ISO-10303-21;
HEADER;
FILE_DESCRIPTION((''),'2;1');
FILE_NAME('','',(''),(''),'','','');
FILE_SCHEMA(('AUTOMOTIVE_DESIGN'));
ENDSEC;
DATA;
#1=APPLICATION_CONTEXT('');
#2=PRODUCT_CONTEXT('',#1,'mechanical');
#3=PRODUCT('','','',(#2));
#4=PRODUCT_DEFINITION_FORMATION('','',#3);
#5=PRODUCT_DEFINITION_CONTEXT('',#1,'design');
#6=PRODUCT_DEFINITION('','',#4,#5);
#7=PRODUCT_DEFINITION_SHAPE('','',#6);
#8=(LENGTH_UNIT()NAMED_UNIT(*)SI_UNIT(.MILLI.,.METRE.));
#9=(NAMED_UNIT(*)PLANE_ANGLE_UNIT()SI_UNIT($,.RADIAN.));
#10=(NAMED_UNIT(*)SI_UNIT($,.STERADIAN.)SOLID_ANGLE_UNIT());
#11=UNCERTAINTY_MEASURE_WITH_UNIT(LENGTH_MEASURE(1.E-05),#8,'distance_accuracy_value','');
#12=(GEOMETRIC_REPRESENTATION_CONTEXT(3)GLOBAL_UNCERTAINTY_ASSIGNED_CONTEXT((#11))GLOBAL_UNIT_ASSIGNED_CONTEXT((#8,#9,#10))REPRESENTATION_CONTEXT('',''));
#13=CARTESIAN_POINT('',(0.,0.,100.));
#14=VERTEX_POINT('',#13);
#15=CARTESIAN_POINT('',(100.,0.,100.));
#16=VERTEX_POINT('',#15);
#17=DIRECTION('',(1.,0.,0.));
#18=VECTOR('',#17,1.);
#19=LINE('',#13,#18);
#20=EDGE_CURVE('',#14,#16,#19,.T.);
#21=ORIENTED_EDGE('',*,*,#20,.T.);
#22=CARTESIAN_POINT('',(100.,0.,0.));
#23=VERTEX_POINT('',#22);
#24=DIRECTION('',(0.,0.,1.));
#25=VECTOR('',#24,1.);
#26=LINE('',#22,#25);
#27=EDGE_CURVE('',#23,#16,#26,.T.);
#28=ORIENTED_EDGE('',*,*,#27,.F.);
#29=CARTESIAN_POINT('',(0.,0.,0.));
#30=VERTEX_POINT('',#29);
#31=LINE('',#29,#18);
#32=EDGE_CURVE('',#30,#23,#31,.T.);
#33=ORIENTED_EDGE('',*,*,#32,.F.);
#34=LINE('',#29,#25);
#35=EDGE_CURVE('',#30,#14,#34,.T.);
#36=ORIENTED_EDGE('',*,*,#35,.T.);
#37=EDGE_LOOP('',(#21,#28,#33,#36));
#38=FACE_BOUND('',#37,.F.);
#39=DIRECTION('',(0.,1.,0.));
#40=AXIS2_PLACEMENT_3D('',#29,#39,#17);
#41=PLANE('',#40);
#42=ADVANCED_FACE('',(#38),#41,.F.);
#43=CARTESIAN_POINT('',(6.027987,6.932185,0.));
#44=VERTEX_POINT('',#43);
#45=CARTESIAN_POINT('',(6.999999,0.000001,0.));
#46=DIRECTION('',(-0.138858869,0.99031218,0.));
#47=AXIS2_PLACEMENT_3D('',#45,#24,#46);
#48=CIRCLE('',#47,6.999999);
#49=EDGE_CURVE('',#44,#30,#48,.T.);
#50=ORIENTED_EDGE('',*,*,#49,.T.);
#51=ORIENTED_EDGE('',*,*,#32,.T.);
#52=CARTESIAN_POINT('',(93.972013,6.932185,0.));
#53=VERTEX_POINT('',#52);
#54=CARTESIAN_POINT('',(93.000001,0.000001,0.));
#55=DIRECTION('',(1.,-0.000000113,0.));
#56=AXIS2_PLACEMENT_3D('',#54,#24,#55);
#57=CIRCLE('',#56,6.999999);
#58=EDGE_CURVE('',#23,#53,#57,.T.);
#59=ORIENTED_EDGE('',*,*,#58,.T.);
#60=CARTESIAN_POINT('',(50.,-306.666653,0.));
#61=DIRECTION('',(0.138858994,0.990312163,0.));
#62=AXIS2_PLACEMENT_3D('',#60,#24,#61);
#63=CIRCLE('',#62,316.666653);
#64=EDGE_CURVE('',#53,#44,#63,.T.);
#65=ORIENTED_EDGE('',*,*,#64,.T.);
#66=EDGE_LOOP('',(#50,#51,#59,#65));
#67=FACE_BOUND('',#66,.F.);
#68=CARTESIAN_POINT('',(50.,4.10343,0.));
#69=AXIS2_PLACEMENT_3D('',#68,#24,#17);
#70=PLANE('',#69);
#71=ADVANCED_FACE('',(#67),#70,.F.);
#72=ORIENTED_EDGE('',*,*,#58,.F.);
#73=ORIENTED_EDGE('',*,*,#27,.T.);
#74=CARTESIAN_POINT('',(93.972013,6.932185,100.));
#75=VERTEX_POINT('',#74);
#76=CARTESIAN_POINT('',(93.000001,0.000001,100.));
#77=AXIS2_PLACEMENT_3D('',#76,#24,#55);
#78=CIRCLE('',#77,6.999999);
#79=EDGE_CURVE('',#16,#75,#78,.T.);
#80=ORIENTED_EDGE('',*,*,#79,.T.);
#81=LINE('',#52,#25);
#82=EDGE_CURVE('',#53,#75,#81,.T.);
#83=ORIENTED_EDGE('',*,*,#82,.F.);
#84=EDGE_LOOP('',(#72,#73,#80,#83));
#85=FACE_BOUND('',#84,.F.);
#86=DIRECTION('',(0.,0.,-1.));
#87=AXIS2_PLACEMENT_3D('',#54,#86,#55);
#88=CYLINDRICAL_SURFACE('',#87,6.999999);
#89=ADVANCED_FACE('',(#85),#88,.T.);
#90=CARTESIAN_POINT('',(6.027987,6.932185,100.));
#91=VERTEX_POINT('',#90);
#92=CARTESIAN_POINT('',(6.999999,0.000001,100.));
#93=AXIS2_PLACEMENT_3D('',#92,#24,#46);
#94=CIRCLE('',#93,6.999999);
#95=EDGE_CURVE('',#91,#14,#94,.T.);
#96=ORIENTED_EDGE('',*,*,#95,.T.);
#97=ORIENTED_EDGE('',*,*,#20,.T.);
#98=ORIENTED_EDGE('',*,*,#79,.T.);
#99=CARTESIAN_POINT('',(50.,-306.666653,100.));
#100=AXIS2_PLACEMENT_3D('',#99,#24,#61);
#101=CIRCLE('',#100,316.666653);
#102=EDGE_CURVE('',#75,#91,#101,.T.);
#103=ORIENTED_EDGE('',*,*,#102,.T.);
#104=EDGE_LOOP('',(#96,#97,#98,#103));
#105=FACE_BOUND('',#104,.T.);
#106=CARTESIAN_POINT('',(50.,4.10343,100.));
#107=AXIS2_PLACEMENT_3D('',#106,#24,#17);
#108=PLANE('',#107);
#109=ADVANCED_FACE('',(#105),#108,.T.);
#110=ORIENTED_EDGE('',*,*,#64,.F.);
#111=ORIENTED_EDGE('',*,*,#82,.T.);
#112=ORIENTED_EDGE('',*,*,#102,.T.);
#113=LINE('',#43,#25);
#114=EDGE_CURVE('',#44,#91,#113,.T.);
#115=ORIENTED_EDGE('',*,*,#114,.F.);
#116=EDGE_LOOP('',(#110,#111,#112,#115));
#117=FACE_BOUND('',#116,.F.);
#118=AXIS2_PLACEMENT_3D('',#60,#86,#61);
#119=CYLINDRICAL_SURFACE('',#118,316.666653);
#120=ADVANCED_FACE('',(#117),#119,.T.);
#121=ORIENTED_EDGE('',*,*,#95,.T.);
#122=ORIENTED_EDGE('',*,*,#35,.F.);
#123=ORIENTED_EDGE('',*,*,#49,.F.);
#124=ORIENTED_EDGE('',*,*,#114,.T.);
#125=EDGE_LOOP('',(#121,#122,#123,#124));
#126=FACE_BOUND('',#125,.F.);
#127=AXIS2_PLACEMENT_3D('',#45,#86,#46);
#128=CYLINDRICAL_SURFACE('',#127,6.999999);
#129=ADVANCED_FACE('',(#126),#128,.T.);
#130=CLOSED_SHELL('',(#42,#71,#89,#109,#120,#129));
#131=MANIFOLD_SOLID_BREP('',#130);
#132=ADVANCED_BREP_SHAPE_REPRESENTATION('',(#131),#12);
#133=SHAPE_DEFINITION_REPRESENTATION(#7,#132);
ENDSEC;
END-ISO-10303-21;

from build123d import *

# Parameters (mm, degrees)
F1_DEPTH = 100


with BuildPart() as f1:
    # F0 (on Top) → F1 (new body)
    with BuildSketch(Plane.XY):
        with BuildLine():
            ThreePointArc((6.027987, 6.932185), (1.717761, 4.593251), (0, 0))
            Line((0, 0), (100, 0))
            ThreePointArc((100, 0), (98.282239, 4.593251), (93.972013, 6.932185))
            ThreePointArc((93.972013, 6.932185), (50, 10), (6.027987, 6.932185))
        make_face()
    extrude(amount=F1_DEPTH)


solid = f1.part
